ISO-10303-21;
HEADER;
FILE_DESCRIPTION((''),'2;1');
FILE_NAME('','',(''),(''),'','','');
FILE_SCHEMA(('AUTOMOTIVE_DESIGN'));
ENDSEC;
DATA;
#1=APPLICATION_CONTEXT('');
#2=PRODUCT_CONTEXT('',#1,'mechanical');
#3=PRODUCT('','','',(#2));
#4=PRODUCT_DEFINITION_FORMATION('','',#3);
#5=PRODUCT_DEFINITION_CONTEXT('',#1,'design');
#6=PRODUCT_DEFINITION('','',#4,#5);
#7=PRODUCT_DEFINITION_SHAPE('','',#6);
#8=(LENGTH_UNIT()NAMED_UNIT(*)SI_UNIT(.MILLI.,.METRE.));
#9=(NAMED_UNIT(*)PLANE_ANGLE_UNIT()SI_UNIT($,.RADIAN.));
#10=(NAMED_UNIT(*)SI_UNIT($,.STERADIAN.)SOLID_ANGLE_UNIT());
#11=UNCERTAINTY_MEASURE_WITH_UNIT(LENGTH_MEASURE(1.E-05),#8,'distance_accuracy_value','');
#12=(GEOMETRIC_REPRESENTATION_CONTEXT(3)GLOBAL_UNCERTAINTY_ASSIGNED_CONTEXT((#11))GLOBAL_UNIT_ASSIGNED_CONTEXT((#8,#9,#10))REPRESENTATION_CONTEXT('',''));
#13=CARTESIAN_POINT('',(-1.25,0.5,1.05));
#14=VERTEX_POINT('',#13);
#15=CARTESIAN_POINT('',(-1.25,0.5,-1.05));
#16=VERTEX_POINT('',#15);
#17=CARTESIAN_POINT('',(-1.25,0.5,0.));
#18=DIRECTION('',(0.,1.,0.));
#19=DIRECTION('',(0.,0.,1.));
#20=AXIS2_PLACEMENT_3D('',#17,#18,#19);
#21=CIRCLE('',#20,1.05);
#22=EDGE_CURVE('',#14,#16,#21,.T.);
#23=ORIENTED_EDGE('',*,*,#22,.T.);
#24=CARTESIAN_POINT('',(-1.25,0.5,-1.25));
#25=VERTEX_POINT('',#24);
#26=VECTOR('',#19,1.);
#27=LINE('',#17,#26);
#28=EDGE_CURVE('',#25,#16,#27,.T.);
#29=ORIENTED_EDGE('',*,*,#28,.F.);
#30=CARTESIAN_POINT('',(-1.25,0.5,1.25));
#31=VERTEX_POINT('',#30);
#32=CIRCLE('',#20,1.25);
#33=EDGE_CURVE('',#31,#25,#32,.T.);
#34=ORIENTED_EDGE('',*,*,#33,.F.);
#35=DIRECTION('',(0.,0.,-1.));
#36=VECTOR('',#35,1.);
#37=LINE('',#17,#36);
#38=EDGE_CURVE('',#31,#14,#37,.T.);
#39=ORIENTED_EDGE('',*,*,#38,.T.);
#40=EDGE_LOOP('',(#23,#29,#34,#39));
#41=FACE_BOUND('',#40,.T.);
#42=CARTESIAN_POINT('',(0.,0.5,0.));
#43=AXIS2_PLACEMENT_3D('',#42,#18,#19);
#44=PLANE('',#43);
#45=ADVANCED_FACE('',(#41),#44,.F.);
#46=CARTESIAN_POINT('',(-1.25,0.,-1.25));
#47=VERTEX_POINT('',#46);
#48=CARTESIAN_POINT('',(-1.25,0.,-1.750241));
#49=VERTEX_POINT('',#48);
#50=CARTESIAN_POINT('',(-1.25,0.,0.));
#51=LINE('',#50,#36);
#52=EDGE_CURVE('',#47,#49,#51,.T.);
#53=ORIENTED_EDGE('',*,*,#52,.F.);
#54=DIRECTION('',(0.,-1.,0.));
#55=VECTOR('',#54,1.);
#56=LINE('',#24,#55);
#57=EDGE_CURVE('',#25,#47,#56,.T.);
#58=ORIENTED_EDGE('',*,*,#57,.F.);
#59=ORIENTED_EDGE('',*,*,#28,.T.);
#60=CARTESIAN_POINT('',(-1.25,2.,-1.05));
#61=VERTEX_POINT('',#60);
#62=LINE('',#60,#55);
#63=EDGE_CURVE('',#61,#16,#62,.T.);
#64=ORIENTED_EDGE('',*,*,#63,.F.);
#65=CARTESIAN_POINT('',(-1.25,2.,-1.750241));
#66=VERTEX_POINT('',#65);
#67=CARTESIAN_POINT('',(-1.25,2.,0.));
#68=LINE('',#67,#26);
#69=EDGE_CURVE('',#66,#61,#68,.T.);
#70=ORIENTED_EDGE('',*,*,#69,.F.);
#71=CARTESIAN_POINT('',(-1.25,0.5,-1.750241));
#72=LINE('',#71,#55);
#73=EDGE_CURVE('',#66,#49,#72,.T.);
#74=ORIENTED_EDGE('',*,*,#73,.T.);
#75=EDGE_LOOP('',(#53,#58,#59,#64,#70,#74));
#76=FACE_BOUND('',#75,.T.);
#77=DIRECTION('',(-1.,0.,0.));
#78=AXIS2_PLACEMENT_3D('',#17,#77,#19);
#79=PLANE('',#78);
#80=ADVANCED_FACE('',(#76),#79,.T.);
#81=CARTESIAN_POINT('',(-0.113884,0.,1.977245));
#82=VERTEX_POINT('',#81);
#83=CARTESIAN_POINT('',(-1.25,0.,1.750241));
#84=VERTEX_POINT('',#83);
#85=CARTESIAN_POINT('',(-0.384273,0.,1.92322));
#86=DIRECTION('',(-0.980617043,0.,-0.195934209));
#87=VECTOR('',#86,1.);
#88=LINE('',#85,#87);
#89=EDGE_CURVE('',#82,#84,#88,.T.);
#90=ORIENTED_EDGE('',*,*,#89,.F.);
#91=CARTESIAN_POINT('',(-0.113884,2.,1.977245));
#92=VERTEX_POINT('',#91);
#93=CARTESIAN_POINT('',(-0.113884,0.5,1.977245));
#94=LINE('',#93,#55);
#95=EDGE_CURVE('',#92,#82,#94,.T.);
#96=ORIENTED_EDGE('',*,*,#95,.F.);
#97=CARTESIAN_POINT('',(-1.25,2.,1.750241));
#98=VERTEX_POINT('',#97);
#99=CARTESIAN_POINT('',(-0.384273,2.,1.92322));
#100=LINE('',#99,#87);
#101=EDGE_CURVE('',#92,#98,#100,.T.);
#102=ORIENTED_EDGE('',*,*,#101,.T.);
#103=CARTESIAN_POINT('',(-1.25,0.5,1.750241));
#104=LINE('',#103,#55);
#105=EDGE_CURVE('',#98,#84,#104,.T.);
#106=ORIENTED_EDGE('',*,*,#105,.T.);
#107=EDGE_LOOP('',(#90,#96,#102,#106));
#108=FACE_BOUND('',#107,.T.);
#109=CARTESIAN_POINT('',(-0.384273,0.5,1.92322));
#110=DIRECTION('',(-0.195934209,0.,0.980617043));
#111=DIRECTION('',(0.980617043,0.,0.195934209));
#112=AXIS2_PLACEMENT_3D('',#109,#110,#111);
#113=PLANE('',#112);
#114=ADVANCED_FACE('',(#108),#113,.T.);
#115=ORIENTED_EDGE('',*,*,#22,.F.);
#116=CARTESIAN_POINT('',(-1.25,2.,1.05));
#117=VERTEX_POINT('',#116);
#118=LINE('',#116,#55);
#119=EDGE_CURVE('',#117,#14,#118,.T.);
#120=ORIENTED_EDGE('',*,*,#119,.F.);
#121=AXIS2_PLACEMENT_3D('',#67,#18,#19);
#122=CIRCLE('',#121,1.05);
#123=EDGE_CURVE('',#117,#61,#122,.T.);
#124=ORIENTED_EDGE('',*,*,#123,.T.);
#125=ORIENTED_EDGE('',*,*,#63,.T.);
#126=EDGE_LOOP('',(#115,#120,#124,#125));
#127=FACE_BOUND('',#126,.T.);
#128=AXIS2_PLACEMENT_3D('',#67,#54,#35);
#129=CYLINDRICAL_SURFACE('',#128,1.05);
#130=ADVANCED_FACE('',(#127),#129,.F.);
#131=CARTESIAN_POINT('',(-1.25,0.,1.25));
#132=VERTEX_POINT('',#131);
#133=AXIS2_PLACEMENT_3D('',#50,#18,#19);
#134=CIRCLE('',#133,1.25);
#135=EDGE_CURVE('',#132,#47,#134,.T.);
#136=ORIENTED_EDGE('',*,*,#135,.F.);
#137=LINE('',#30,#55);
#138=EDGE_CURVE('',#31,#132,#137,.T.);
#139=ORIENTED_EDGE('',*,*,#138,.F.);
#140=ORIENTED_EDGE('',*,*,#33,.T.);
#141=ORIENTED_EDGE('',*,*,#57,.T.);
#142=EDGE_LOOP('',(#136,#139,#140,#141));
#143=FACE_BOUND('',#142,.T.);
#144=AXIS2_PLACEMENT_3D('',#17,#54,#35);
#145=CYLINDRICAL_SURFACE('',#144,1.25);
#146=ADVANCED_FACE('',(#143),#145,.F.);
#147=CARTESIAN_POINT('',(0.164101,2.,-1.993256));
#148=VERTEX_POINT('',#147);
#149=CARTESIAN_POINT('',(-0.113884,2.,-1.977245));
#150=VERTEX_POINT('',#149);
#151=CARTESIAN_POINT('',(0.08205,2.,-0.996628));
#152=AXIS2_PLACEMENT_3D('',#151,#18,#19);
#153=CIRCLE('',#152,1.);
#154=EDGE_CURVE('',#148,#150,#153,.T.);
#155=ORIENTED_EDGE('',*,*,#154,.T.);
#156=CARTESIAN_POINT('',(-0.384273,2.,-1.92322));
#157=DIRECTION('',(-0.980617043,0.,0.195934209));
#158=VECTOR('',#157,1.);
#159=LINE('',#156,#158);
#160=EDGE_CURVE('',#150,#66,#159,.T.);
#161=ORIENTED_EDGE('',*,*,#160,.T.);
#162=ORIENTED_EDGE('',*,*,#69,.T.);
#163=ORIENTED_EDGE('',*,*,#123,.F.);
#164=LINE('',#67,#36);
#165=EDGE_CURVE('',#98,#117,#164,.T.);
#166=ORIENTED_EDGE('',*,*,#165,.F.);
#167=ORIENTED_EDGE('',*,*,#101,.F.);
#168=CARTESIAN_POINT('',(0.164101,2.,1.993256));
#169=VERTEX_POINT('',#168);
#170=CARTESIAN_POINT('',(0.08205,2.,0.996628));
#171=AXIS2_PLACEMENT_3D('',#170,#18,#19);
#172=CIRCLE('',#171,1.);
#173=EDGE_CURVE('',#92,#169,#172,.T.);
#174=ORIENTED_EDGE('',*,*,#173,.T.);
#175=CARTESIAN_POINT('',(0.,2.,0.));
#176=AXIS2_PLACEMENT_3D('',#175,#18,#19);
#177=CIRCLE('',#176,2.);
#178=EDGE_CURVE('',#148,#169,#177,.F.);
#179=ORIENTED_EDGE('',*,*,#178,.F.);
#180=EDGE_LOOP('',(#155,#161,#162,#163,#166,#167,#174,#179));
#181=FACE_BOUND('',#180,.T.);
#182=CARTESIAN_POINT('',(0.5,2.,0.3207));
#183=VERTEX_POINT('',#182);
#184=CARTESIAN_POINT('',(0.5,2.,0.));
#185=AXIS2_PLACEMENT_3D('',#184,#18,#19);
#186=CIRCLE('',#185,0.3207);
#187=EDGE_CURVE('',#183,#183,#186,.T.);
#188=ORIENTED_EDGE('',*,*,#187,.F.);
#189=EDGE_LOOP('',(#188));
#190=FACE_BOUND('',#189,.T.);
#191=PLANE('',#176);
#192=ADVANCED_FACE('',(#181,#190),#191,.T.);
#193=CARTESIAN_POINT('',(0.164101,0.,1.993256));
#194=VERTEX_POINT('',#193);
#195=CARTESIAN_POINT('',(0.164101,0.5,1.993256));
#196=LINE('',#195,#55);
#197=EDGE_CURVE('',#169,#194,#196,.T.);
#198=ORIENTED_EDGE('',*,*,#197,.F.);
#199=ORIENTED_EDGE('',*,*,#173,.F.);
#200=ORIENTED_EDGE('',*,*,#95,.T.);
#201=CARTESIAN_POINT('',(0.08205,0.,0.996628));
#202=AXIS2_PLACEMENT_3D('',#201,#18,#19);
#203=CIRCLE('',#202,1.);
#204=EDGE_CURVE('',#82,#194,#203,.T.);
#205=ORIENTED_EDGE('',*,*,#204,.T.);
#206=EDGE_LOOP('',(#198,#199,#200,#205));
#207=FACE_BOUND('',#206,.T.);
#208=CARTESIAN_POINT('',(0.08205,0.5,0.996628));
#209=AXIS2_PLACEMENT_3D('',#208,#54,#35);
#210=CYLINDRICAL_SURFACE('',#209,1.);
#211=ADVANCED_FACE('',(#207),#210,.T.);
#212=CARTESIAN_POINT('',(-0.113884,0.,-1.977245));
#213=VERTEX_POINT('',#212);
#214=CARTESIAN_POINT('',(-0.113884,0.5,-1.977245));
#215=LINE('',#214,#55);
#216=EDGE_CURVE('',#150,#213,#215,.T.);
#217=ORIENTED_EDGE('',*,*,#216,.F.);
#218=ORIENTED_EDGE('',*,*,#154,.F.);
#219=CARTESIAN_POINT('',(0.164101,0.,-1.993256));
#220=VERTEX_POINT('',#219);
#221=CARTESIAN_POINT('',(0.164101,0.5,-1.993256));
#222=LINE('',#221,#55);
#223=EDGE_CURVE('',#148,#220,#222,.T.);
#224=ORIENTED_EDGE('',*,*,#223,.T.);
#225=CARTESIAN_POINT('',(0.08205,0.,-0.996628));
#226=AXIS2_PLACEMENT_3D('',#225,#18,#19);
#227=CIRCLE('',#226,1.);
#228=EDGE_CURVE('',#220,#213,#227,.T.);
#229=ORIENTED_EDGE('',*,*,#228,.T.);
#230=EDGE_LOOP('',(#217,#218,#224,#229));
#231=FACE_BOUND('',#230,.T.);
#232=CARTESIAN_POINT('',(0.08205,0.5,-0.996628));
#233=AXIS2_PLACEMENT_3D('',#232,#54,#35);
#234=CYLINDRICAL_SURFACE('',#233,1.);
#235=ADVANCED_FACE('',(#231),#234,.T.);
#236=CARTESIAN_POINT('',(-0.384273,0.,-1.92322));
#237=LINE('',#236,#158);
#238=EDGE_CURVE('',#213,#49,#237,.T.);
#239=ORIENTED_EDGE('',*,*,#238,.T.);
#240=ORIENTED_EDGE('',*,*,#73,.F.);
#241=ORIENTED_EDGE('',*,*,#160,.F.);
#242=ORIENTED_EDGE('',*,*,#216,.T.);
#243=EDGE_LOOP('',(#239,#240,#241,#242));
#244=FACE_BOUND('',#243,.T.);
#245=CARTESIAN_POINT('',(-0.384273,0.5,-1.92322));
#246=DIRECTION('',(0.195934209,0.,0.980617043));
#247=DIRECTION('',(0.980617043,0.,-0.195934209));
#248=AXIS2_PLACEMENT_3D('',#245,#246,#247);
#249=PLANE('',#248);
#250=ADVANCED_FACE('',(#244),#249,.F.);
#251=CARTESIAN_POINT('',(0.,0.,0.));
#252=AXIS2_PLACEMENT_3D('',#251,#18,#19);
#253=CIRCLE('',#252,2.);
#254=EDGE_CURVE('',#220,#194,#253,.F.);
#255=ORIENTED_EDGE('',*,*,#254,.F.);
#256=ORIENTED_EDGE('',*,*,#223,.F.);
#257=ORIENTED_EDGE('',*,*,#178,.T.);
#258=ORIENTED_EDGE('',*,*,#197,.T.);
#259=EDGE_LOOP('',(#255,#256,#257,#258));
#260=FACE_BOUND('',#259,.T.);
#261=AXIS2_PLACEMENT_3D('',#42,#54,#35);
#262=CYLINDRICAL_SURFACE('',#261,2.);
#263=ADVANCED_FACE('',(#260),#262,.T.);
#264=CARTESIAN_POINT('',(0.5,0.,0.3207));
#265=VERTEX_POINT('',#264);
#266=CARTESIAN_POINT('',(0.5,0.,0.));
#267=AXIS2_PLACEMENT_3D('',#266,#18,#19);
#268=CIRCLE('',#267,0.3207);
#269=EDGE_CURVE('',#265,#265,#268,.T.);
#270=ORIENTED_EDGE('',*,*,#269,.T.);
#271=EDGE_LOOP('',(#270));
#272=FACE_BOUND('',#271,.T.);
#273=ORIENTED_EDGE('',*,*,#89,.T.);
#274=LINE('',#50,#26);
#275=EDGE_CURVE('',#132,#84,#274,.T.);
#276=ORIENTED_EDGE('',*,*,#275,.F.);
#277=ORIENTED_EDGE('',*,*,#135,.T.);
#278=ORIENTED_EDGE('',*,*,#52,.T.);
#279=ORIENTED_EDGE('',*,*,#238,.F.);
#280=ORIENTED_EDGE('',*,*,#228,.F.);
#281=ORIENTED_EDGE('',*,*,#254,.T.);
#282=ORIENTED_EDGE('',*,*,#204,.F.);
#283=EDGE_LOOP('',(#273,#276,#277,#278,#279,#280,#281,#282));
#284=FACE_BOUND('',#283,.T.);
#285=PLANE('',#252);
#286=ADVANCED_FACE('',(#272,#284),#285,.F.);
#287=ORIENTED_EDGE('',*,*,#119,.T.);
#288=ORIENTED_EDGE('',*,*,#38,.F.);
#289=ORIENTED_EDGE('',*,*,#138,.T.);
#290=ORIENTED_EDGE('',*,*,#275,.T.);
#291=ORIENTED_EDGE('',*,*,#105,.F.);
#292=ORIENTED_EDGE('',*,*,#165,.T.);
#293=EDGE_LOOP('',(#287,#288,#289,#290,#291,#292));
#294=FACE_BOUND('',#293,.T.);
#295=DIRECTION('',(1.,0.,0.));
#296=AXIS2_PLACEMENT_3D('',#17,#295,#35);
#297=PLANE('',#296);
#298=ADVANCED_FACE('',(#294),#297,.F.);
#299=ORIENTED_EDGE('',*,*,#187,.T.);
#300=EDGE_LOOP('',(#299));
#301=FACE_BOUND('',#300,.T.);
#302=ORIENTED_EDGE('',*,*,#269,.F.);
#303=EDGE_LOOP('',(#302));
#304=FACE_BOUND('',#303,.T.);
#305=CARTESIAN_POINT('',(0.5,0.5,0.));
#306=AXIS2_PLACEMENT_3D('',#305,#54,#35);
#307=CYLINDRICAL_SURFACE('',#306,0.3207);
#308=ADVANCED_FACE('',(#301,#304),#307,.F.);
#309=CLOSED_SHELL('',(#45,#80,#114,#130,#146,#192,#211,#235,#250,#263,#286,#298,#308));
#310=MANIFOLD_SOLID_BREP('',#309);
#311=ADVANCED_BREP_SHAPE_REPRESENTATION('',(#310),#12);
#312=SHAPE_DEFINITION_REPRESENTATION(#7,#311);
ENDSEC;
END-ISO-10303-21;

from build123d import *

# Parameters (mm, degrees)
SKETCH1_R           = 0.3207
BOSS_EXTRUDE1_DEPTH = 0.5
BOSS_EXTRUDE2_START = 0.5
SKETCH1_20_R        = 0.3207
BOSS_EXTRUDE2_DEPTH = 1.5


with BuildPart() as part:
    # Sketch1 → Boss-Extrude1 (new body)
    with BuildSketch(Plane(origin=(0, 0, 0), x_dir=(1, 0, 0), z_dir=(0, 1, 0))):
        with BuildLine():
            ThreePointArc((0.164100898, 1.993256355), (0.024548564, 1.994973575), (-0.11388376, 1.977245221))
            Line((-0.11388376, 1.977245221), (-1.25, 1.750241174))
            Line((-1.25, 1.750241174), (-1.25, 1.25))
            ThreePointArc((-1.25, 1.25), (-0.366116524, 0.883883476), (0, 0))
            ThreePointArc((0, 0), (-0.366116524, -0.883883476), (-1.25, -1.25))
            Line((-1.25, -1.25), (-1.25, -1.750241174))
            Line((-1.25, -1.750241174), (-0.11388376, -1.977245221))
            ThreePointArc((-0.11388376, -1.977245221), (0.024548564, -1.994973575), (0.164100898, -1.993256355))
            ThreePointArc((0.164100898, -1.993256355), (2, 0), (0.164100898, 1.993256355))
        make_face()
        with Locations((0.5, 0)):
            Circle(SKETCH1_R, mode=Mode.SUBTRACT)
    extrude(amount=BOSS_EXTRUDE1_DEPTH)

    # Sketch1<20> → Boss-Extrude2 (add)
    with BuildSketch(Plane(origin=(0, 0, 0), x_dir=(1, 0, 0), z_dir=(0, 1, 0)).offset(BOSS_EXTRUDE2_START)):
        with BuildLine():
            ThreePointArc((0.164100898, 1.993256355), (0.024548564, 1.994973575), (-0.11388376, 1.977245221))
            Line((-0.11388376, 1.977245221), (-1.25, 1.750241174))
            Line((-1.25, 1.750241174), (-1.25, 1.05))
            ThreePointArc((-1.25, 1.05), (-0.2, 0), (-1.25, -1.05))
            Line((-1.25, -1.05), (-1.25, -1.750241174))
            Line((-1.25, -1.750241174), (-0.11388376, -1.977245221))
            ThreePointArc((-0.11388376, -1.977245221), (0.024548564, -1.994973575), (0.164100898, -1.993256355))
            ThreePointArc((0.164100898, -1.993256355), (2, 0), (0.164100898, 1.993256355))
        make_face()
        with Locations((0.5, 0)):
            Circle(SKETCH1_20_R, mode=Mode.SUBTRACT)
    extrude(amount=BOSS_EXTRUDE2_DEPTH)


solid = part.part
